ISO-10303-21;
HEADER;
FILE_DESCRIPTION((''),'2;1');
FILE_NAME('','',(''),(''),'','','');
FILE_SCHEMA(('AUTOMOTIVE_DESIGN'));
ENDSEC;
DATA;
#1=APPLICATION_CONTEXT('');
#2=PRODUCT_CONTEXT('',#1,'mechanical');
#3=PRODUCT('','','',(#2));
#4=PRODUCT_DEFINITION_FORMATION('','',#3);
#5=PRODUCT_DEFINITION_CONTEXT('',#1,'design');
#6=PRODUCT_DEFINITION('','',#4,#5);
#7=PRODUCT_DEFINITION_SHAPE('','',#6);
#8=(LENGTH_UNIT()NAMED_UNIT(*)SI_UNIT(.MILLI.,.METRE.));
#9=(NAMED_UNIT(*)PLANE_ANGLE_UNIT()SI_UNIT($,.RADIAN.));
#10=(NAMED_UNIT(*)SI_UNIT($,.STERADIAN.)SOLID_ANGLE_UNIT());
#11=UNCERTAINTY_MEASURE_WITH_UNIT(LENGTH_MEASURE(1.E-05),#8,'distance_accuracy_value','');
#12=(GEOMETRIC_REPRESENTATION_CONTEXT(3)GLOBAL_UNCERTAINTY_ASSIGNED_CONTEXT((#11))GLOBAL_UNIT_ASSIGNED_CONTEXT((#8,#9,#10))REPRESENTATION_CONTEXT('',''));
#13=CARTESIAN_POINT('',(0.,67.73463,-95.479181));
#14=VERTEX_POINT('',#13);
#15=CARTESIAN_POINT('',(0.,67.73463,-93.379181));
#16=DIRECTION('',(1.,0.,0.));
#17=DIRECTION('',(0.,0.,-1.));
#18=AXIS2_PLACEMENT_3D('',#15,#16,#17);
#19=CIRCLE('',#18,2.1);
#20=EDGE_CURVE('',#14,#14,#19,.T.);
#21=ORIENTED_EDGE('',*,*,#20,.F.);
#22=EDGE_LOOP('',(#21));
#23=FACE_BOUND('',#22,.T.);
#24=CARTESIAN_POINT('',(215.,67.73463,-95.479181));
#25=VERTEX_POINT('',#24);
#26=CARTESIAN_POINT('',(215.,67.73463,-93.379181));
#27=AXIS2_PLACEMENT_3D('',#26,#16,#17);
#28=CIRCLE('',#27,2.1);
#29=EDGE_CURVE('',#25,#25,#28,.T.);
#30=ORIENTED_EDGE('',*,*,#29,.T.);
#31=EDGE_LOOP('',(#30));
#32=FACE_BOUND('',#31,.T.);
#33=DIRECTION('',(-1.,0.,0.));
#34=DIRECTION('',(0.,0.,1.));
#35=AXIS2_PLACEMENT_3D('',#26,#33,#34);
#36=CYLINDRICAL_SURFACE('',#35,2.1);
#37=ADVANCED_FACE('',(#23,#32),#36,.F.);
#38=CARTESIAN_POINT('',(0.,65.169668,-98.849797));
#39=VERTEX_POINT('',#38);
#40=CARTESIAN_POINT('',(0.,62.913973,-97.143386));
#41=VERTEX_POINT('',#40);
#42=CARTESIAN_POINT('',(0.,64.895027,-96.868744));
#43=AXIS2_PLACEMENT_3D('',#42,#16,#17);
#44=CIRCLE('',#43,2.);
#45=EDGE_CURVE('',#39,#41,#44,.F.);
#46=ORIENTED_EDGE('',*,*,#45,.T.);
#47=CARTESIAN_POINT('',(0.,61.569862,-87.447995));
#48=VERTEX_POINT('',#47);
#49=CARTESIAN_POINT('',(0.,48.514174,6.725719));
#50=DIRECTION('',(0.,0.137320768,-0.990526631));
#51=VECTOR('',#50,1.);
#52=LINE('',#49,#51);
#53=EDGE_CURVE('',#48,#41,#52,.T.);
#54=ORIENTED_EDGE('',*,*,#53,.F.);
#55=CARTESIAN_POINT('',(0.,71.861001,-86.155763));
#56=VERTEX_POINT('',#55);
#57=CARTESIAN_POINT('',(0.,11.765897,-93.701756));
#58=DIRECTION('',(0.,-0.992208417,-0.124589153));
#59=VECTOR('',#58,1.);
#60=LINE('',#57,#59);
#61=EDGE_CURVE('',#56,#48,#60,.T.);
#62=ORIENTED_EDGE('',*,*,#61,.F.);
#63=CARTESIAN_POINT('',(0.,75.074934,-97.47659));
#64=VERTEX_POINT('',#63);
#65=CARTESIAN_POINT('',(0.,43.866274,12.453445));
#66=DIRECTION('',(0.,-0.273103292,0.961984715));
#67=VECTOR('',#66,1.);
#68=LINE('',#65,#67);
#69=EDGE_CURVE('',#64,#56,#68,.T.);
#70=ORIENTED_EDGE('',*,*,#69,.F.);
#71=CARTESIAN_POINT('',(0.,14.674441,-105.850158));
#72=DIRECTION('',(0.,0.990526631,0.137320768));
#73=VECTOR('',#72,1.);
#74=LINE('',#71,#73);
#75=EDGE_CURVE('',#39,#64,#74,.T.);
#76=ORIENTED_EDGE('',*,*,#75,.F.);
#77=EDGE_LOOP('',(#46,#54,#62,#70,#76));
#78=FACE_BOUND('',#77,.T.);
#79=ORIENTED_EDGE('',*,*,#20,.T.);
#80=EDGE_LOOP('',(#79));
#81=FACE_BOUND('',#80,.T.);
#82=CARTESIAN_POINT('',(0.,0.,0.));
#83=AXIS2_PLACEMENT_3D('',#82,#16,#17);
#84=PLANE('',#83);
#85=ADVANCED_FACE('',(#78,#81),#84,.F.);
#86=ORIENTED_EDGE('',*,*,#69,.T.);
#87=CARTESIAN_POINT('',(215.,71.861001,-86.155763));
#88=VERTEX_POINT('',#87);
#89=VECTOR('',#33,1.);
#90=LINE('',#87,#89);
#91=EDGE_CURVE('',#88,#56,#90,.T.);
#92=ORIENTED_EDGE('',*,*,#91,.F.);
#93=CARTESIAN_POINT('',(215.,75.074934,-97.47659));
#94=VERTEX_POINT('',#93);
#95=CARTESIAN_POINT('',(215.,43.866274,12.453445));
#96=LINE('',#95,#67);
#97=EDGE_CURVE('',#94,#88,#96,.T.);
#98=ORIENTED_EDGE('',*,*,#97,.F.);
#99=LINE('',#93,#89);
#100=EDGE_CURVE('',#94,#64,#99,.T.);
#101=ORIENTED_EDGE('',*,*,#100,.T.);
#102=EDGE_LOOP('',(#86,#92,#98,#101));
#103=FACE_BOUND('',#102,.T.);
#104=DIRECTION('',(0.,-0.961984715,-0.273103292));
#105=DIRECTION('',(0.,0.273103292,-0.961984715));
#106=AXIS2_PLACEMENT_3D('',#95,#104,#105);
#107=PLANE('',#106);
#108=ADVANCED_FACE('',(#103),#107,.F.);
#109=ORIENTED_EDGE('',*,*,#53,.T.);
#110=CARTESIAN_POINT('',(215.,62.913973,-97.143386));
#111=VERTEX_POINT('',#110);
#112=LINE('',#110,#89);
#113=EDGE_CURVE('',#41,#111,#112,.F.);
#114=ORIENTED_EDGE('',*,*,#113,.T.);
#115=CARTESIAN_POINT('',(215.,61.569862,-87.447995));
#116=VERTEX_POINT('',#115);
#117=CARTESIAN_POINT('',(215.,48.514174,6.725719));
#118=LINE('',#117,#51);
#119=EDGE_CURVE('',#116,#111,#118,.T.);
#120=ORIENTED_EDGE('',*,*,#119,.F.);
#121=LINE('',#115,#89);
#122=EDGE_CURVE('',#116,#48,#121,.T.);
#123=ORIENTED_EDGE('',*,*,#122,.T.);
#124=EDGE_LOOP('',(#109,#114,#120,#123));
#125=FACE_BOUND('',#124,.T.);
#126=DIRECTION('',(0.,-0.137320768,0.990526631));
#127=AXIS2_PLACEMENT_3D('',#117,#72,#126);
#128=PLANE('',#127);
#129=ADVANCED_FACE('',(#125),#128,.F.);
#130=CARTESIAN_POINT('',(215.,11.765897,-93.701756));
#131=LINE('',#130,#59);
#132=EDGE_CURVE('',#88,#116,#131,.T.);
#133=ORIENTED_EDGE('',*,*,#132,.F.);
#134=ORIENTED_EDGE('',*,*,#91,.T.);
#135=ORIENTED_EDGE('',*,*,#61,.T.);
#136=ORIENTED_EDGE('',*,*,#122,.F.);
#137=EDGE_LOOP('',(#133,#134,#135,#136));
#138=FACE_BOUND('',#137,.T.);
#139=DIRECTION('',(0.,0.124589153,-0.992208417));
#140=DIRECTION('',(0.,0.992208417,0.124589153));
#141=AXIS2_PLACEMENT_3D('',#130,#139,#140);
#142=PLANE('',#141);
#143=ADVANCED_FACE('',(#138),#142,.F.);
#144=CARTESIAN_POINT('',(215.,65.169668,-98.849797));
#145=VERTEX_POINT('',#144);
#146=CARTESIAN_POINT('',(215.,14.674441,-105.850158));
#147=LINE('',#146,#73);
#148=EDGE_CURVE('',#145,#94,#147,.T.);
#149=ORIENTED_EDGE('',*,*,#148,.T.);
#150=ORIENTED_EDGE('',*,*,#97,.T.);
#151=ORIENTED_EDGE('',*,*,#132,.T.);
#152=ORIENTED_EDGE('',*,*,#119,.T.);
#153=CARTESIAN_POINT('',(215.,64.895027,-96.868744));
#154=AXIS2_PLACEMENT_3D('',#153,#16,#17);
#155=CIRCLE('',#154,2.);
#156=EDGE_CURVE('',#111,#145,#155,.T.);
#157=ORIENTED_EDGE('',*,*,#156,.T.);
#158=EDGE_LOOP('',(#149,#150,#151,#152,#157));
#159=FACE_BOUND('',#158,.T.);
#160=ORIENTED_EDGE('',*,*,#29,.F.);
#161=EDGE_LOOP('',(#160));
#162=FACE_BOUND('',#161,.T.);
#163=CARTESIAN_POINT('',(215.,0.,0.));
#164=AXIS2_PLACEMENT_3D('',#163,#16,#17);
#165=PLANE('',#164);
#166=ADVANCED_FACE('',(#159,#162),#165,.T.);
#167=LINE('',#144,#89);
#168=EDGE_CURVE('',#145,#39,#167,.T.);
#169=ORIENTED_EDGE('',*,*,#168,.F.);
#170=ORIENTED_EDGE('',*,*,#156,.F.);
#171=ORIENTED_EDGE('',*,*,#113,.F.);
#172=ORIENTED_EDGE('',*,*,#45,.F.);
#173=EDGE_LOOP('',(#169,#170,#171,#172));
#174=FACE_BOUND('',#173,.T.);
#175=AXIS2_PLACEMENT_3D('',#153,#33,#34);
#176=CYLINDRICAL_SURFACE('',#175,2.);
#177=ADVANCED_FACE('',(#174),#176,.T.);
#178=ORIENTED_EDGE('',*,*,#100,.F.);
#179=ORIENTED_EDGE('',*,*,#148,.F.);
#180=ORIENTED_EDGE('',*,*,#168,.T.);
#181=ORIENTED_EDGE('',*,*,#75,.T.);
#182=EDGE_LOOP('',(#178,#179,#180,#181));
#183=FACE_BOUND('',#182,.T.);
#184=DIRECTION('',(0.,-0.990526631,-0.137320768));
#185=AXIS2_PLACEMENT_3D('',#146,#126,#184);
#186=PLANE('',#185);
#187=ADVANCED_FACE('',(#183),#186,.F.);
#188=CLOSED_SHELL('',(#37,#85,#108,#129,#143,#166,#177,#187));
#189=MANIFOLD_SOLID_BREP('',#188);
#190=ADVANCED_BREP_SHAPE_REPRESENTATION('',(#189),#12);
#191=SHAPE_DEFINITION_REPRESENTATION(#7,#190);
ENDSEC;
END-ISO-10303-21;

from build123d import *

# Parameters (mm, degrees)
SKETCH1_R           = 2.1
BOSS_EXTRUDE1_DEPTH = 215
FILLET1_R           = 2


with BuildPart() as part:
    # Sketch1 → Boss-Extrude1 (new body)
    with BuildSketch(Plane(origin=(0, 0, 0), x_dir=(0, 0, -1), z_dir=(1, 0, 0))):
        Polygon((87.447995492, 61.569861664), (99.124438977, 63.188614895), (97.476589763, 75.074934467), (86.155762657, 71.861000707), align=None)
        with Locations((93.379181481, 67.734629599)):
            Circle(SKETCH1_R, mode=Mode.SUBTRACT)
    extrude(amount=BOSS_EXTRUDE1_DEPTH)

    # Fillet1
    fillet1_edges = [part.edges().sort_by_distance(p)[0] for p in [
        (107.5, 63.188614895, -99.124438977),
    ]]
    fillet(fillet1_edges, radius=FILLET1_R)


solid = part.part
